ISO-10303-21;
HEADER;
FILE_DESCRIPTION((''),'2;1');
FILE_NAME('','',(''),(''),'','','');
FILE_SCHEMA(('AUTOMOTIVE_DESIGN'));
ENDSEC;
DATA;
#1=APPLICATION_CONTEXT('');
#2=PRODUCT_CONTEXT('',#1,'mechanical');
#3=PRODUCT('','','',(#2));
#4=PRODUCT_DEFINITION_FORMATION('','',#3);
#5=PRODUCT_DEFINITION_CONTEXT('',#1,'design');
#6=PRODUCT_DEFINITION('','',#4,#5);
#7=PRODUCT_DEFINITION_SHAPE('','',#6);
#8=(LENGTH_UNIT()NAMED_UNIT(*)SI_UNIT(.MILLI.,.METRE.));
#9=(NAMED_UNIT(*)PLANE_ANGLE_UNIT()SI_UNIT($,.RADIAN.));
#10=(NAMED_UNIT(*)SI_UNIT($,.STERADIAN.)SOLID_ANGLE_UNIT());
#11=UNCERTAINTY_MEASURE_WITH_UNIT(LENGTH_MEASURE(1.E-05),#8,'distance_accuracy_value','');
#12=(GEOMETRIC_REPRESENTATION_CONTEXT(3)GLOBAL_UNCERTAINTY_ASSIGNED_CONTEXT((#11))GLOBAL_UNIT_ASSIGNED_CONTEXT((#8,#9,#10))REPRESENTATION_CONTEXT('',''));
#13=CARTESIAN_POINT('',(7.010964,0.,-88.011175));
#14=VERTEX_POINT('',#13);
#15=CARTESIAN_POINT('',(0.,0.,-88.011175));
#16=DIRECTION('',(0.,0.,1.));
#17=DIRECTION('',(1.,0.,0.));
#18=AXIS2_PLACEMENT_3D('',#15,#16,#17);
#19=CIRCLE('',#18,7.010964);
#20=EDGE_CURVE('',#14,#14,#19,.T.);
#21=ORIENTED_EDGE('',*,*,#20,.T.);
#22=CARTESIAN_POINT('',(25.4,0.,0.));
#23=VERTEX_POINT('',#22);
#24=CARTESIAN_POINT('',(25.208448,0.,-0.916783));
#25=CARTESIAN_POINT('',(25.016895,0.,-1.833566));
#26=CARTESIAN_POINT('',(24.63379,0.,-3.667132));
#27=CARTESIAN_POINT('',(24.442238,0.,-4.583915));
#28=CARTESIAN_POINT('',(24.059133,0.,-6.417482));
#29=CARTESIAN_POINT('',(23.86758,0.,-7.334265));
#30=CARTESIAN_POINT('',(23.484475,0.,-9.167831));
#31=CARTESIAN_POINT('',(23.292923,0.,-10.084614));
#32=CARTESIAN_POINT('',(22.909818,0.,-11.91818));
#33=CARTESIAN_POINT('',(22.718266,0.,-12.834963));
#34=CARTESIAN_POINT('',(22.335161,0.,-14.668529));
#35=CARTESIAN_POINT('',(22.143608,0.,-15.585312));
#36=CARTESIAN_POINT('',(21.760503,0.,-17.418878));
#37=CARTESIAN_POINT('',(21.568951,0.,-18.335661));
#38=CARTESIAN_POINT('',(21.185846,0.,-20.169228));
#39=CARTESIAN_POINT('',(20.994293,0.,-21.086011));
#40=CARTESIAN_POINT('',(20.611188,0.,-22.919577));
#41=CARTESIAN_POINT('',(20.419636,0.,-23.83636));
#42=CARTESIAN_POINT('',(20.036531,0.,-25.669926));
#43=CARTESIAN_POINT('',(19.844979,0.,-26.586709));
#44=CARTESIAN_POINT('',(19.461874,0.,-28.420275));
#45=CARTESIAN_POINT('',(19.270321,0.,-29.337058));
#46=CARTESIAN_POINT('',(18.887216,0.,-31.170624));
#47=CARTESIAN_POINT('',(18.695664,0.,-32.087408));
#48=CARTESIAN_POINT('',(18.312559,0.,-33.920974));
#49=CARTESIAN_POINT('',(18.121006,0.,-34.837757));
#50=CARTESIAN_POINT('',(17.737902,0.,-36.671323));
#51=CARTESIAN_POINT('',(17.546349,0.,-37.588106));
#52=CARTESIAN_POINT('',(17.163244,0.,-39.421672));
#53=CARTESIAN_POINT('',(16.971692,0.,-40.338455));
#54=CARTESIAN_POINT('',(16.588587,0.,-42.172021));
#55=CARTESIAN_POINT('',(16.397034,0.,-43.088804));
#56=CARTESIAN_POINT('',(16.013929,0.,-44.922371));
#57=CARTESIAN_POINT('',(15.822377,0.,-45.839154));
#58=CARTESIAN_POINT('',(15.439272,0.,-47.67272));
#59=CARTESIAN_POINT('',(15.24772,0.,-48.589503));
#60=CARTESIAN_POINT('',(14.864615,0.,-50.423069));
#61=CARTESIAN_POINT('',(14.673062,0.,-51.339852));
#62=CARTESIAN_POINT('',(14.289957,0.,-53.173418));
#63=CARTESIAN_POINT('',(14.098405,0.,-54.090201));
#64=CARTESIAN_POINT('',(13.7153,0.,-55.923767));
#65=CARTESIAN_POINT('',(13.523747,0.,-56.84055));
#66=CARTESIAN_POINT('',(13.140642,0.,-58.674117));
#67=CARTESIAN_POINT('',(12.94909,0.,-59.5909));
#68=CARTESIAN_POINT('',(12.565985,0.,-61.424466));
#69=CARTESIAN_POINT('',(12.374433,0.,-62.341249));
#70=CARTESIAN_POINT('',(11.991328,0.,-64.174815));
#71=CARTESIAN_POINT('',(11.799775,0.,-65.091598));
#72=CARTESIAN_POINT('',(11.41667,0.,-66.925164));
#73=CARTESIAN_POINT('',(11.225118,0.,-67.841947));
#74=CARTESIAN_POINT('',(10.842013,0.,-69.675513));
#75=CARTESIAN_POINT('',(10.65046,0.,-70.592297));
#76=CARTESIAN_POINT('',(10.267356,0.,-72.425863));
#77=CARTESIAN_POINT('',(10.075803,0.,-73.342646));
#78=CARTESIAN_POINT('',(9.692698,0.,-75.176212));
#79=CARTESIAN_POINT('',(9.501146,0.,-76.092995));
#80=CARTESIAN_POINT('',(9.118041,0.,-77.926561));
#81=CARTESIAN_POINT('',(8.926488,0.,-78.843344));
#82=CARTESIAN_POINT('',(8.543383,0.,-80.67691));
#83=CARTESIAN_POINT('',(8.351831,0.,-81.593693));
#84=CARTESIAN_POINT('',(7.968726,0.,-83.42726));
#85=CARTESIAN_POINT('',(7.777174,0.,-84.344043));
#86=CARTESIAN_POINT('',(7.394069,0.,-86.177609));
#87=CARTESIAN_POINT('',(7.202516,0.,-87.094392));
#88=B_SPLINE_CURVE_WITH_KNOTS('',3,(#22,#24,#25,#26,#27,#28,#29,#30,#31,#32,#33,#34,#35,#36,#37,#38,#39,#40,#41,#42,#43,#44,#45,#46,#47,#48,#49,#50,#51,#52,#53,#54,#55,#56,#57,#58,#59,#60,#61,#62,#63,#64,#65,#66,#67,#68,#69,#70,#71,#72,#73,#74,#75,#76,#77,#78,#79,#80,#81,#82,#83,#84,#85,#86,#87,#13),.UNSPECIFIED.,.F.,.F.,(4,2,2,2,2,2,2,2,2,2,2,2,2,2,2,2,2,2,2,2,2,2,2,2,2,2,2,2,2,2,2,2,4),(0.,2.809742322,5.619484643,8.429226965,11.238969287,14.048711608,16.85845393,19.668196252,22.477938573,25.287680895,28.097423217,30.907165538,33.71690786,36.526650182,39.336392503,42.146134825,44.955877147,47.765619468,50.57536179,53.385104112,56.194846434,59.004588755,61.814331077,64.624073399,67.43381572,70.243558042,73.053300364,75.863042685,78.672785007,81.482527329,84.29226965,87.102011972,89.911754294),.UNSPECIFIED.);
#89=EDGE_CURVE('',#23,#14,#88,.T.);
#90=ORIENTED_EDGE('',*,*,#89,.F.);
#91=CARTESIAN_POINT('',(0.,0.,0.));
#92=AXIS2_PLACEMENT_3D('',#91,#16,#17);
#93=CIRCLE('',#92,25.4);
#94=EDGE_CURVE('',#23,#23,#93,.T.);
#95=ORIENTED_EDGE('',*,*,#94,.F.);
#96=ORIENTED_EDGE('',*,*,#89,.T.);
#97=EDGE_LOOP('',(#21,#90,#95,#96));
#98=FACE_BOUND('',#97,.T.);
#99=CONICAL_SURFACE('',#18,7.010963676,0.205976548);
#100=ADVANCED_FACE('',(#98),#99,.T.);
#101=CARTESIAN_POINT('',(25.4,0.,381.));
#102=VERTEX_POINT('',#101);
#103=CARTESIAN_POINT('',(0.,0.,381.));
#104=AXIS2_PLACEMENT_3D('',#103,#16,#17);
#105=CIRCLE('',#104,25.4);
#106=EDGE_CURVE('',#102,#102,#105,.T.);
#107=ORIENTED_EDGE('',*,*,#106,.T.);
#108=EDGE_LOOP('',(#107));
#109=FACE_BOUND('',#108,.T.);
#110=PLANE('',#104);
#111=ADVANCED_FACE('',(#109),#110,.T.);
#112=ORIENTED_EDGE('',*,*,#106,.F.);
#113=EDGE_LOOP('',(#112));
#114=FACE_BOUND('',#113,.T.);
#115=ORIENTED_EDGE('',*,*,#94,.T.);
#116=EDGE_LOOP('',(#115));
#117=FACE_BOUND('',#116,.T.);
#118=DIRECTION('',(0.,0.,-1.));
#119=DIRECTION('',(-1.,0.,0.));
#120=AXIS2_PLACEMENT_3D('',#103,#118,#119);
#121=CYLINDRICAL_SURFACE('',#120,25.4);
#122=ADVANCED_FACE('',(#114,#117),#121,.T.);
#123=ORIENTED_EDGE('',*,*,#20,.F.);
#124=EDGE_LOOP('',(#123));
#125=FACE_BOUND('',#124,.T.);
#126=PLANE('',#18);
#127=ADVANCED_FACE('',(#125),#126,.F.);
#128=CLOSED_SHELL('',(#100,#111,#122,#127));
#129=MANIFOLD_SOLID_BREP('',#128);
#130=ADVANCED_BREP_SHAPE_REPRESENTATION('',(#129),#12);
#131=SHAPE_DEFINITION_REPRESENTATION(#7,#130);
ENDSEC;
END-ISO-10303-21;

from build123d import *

# Parameters (mm, degrees)
SKETCH1_R           = 25.4
BOSS_EXTRUDE3_DEPTH = 381


with BuildPart() as part:
    # Sketch1 → Boss-Extrude3 (new body)
    with BuildSketch(Plane.XY):
        Circle(SKETCH1_R)
    extrude(amount=BOSS_EXTRUDE3_DEPTH)

    # Sketch2 → Revolve1 (revolve)
    with BuildSketch(Plane(origin=(0, 0, 0), x_dir=(1, 0, 0), z_dir=(0, 1, 0)), mode=Mode.PRIVATE) as revolve1_sk:
        Polygon((-25.4, 0), (0, 0), (0, 88.011174877), (-7.010963676, 88.011174877), align=None)
    revolve(revolve1_sk.sketch.rotate(Axis((0, 0, 0), (0, 0, -1)), 180), axis=Axis((0, 0, 0), (0, 0, -1)))


solid = part.part
